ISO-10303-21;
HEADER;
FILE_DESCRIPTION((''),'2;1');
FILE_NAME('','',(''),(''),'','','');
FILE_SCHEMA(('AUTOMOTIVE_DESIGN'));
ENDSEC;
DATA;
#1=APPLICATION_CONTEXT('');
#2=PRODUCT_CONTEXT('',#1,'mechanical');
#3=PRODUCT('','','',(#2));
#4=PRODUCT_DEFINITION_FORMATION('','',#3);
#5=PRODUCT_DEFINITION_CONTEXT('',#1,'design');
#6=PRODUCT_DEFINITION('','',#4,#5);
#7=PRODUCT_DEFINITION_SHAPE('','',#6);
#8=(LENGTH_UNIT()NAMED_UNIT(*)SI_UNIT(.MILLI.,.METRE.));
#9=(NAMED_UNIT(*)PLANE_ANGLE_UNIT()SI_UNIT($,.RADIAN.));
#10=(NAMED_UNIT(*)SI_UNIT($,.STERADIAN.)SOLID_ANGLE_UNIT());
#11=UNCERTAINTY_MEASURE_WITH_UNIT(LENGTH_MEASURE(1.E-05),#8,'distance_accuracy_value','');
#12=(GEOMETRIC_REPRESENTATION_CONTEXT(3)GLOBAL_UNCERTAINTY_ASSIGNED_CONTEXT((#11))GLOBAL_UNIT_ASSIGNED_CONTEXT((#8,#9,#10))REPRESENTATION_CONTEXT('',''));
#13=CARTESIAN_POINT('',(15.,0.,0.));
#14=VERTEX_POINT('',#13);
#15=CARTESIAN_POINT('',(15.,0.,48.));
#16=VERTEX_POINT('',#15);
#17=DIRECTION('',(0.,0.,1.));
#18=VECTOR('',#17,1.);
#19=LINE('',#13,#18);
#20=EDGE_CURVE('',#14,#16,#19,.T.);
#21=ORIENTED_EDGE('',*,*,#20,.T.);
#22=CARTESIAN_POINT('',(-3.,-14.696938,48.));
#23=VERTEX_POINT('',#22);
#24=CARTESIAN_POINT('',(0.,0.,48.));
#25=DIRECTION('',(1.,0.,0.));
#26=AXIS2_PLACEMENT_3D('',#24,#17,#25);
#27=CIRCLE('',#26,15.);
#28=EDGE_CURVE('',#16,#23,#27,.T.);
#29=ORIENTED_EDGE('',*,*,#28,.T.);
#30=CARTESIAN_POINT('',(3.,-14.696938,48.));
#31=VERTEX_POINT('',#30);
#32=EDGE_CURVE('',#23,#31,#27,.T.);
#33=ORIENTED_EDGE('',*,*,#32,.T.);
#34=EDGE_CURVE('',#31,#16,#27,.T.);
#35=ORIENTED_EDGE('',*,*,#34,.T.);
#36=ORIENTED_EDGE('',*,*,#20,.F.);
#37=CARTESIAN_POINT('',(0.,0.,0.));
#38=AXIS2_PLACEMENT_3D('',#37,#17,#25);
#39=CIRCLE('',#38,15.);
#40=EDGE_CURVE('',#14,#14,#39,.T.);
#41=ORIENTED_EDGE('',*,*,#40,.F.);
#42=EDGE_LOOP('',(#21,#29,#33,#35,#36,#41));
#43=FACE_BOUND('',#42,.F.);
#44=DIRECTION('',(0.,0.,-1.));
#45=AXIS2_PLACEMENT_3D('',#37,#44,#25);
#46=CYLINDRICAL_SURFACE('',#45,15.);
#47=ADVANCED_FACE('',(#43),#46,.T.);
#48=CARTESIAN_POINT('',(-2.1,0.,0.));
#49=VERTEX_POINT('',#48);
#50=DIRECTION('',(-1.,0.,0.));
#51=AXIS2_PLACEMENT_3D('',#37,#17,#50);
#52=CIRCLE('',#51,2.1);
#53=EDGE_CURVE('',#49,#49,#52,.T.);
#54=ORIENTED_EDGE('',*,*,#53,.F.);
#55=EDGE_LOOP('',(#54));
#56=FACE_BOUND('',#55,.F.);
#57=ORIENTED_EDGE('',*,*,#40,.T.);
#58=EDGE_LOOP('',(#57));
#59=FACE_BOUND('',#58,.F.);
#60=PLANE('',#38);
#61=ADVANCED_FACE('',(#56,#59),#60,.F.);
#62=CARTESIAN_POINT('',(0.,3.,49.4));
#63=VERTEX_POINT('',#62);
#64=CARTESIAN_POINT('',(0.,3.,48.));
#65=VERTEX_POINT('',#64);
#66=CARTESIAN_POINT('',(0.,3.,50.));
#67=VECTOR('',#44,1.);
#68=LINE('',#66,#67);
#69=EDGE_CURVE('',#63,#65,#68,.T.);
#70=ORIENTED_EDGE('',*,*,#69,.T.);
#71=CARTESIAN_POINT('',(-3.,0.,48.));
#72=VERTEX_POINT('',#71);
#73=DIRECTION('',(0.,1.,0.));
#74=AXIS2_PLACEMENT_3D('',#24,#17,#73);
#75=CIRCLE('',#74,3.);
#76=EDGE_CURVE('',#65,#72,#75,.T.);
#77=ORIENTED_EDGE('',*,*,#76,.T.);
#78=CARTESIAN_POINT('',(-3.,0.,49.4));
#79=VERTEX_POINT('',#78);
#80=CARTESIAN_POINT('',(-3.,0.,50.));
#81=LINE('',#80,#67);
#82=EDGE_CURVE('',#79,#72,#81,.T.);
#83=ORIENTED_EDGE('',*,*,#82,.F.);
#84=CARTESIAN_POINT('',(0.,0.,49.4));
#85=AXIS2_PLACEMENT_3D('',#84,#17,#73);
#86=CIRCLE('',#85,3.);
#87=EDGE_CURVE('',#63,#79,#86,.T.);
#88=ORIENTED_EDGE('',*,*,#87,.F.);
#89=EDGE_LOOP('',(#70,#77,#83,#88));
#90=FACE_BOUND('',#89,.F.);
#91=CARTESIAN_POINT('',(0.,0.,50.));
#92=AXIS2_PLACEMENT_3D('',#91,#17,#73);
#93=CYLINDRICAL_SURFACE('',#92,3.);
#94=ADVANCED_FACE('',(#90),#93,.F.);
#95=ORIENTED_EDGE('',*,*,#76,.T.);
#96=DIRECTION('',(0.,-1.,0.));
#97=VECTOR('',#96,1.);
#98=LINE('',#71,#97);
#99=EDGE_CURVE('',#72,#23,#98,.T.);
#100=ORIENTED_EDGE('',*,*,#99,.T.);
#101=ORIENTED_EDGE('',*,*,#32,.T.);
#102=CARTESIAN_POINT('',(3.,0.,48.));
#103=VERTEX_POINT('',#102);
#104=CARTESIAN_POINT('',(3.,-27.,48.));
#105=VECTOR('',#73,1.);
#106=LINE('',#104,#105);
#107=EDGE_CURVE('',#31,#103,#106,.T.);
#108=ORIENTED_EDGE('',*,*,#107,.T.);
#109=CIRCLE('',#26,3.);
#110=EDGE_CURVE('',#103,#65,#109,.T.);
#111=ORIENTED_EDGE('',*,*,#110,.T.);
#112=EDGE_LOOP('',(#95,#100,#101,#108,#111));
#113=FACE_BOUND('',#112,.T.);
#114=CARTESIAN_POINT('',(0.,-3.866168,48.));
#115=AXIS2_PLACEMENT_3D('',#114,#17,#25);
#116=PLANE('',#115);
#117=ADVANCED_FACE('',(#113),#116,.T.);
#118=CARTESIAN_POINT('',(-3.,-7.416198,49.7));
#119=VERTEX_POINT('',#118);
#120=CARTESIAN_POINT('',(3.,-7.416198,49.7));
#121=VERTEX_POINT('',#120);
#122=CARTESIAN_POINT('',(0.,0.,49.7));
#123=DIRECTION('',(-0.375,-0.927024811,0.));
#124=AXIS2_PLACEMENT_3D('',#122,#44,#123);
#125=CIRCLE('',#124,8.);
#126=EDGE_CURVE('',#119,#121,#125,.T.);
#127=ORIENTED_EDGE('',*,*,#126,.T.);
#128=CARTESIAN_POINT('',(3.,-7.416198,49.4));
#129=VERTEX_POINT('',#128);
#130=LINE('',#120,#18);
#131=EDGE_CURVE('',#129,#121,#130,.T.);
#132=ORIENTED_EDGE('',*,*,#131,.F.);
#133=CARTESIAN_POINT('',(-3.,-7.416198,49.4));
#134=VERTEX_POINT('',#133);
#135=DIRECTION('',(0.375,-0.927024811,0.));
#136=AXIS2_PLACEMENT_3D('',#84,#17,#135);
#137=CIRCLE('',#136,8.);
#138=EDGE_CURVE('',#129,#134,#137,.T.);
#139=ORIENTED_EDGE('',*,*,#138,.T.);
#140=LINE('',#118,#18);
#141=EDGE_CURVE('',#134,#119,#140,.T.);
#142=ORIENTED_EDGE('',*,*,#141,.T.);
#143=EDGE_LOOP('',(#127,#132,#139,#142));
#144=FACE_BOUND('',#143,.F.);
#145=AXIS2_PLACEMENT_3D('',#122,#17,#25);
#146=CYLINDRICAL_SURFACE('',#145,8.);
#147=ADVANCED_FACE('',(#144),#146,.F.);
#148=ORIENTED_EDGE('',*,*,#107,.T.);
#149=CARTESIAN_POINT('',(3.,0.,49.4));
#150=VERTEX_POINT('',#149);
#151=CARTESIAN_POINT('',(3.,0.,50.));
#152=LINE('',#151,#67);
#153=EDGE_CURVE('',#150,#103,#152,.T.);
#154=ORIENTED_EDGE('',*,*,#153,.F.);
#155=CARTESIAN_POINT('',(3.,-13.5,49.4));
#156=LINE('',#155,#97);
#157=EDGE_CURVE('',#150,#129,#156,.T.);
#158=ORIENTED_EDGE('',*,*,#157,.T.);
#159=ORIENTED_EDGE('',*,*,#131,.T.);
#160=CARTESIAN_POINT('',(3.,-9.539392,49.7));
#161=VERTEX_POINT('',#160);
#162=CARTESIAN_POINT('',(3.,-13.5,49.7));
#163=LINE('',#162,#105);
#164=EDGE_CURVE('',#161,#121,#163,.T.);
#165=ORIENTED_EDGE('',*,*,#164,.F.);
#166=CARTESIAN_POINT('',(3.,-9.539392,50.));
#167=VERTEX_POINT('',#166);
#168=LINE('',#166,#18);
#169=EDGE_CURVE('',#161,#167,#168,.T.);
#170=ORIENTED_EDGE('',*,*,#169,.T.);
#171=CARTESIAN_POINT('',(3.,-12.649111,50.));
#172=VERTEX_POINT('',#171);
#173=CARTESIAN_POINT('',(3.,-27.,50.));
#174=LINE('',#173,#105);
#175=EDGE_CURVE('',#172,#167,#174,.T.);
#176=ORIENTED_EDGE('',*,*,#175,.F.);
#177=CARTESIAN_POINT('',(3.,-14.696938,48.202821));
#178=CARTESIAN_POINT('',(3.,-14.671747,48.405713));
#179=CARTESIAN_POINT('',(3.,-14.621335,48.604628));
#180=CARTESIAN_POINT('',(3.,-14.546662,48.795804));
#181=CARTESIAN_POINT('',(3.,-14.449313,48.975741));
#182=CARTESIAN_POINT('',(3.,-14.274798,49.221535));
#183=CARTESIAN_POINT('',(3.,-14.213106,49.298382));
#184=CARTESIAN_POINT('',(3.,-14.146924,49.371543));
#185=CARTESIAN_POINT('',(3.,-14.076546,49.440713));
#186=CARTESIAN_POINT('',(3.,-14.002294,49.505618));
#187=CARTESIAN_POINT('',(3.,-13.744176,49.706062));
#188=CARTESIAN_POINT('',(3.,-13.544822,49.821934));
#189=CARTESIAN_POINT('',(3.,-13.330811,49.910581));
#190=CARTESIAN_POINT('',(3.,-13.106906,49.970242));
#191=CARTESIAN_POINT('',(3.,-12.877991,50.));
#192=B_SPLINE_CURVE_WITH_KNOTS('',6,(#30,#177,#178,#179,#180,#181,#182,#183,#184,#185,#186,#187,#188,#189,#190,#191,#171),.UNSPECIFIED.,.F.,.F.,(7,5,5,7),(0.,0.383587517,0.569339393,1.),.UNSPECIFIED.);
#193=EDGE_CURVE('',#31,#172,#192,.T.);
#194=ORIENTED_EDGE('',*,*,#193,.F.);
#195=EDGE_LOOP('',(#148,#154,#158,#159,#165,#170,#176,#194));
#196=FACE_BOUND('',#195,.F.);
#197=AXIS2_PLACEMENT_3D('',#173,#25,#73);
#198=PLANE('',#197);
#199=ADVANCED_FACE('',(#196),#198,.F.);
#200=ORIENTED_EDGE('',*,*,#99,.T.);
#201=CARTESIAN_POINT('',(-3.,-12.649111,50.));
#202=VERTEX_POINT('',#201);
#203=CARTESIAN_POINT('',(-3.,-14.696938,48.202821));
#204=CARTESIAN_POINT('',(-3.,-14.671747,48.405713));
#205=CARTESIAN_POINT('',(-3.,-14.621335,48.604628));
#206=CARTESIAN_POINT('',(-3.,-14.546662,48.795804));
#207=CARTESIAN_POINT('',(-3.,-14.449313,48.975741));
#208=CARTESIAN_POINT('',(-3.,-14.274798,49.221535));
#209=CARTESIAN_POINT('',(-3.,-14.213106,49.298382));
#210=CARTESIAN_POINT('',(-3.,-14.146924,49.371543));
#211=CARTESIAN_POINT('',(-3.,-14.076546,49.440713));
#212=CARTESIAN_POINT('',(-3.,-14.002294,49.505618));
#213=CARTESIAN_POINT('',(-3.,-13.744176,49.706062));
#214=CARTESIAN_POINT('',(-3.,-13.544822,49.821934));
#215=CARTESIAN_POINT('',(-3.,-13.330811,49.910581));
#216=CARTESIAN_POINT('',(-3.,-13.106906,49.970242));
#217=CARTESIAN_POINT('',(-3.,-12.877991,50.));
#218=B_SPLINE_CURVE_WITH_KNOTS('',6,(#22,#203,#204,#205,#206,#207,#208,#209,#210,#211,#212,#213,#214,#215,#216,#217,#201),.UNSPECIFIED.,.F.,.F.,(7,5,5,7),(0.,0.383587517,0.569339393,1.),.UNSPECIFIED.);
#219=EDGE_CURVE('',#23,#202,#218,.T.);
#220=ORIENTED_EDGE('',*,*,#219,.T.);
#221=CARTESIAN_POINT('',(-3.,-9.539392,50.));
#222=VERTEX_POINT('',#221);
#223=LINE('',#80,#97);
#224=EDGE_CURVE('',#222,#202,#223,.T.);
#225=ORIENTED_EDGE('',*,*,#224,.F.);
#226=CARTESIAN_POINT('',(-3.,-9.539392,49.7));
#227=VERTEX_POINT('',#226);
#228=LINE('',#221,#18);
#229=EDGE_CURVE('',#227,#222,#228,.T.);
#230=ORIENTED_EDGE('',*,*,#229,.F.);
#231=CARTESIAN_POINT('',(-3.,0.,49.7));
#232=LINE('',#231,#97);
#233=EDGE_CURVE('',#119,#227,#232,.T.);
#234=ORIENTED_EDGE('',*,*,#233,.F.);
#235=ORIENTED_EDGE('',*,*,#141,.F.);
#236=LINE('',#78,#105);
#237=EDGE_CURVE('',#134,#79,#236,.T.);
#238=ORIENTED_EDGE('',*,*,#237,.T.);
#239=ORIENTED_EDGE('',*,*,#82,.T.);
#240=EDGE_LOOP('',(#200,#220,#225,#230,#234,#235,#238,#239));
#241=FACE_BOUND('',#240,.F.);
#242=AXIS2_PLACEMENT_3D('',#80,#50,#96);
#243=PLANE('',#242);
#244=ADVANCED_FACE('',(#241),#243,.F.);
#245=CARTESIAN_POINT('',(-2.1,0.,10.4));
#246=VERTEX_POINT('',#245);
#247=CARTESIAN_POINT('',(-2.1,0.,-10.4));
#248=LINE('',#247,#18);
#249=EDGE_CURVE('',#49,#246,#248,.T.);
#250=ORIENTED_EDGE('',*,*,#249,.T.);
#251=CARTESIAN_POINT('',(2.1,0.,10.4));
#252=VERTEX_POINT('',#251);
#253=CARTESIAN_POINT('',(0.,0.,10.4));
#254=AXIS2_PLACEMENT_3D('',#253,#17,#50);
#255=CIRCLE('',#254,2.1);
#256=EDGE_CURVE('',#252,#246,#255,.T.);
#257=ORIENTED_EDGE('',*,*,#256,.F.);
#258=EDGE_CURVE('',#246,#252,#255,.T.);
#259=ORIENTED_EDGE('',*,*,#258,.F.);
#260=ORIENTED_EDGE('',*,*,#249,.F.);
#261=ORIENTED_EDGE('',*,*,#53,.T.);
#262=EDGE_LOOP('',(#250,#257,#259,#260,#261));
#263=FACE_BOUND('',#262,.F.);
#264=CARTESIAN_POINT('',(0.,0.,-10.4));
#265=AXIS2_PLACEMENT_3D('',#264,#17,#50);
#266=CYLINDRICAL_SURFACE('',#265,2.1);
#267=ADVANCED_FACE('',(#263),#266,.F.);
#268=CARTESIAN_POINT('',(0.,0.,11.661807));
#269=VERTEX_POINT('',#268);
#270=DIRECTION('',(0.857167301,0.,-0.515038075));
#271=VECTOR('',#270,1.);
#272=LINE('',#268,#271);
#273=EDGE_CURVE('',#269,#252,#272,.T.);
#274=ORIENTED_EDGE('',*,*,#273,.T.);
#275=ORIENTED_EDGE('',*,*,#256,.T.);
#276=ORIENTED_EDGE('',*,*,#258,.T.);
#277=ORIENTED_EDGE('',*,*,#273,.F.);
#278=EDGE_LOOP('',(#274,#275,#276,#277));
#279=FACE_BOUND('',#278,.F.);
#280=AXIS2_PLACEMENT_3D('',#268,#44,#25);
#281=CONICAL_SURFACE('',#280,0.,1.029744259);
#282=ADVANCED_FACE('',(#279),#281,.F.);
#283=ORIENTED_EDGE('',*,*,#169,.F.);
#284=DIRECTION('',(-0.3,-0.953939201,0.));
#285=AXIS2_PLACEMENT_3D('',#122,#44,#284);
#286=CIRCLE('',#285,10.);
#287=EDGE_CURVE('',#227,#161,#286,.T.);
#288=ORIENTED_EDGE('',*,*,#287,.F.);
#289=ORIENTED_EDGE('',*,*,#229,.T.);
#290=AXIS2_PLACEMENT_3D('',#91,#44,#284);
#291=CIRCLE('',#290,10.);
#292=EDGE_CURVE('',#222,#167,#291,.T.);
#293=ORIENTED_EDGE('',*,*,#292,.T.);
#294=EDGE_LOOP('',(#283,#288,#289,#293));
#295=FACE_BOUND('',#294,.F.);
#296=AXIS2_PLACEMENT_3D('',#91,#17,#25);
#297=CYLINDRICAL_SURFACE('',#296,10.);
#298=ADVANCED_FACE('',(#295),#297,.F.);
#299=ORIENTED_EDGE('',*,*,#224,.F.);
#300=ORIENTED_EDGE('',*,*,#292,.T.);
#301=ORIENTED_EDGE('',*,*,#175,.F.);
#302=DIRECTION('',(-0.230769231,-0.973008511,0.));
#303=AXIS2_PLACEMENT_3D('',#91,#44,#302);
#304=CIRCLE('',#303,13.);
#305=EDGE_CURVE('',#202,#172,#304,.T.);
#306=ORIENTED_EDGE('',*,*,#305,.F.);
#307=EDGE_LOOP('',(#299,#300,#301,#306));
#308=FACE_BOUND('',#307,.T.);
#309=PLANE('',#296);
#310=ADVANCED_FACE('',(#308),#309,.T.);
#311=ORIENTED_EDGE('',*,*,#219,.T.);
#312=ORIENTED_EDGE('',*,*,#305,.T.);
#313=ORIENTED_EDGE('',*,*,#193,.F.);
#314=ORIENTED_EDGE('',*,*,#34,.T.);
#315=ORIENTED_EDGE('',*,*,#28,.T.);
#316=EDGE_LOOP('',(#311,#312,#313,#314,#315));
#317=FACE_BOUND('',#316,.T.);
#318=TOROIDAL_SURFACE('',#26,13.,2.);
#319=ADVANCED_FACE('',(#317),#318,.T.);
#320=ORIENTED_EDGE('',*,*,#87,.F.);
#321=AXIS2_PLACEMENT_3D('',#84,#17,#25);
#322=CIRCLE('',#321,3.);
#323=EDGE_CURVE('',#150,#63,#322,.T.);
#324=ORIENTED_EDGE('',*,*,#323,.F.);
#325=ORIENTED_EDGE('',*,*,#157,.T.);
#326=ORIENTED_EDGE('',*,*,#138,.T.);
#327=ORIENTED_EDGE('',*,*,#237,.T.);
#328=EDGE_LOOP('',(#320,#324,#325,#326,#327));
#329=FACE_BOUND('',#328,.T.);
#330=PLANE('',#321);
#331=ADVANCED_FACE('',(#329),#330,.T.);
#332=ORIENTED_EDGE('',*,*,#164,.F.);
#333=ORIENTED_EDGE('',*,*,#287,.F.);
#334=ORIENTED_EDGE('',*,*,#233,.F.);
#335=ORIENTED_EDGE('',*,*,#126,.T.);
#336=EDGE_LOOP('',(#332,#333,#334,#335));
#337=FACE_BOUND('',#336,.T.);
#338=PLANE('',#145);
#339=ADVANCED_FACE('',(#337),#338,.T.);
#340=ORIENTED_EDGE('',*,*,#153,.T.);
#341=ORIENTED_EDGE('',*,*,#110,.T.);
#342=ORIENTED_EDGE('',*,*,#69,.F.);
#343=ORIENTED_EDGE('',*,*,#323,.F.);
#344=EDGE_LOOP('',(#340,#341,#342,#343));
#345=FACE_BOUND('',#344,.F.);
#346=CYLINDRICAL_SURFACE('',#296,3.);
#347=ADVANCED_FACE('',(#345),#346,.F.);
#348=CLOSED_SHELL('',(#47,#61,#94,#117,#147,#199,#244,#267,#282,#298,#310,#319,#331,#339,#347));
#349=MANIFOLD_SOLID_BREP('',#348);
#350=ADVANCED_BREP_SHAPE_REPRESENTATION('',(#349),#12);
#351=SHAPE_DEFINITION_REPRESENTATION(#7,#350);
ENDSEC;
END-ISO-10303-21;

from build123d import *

# Parameters (mm, degrees)
F0_R      = 15
F1_DEPTH  = 50
F2_R      = 2
F3_R      = 10
F4_DEPTH  = 0.3
F6_DEPTH  = 2
F8_D      = 4.2
F8_DEPTH  = 10.4
F8_TIP    = 1.2618073
F9_R      = 8
F10_DEPTH = 0.3


with BuildPart() as f1:
    # F0 (on Top) → F1 (new body)
    with BuildSketch(Plane.XY):
        Circle(F0_R)
    extrude(amount=F1_DEPTH)

    # F2
    f2_edges = [f1.edges().sort_by_distance(p)[0] for p in [
        (-15, 0, 50),
    ]]
    fillet(f2_edges, radius=F2_R)

    # F3 (on face) → F4 (cut)
    with BuildSketch(Plane.XY.offset(50)):
        Circle(F3_R)
    extrude(amount=-F4_DEPTH, mode=Mode.SUBTRACT)

    # F5 (on face) → F6 (cut)
    with BuildSketch(Plane.XY.offset(50)):
        with BuildLine():
            Line((-3, 0), (-3, -9.5393920142))
            ThreePointArc((-3, -9.5393920142), (0, -10), (3, -9.5393920142))
            Line((3, -9.5393920142), (3, 0))
            ThreePointArc((3, 0), (2.1213203436, 2.1213203436), (0, 3))
            ThreePointArc((0, 3), (-2.1213203436, 2.1213203436), (-3, 0))
        make_face()
        with BuildLine():
            Line((-3, -9.5393920142), (-3, -12.6491106407))
            ThreePointArc((-3, -12.6491106407), (0, -13), (3, -12.6491106407))
            Line((3, -12.6491106407), (3, -9.5393920142))
            ThreePointArc((3, -9.5393920142), (0, -10), (-3, -9.5393920142))
        make_face()
        with BuildLine():
            Line((-3, -12.6491106407), (-3, -27))
            Line((-3, -27), (3, -27))
            Line((3, -27), (3, -12.6491106407))
            ThreePointArc((3, -12.6491106407), (0, -13), (-3, -12.6491106407))
        make_face()
    extrude(amount=-F6_DEPTH, mode=Mode.SUBTRACT)

    # F8
    with Locations(Plane(origin=(0, 0, 0), x_dir=(1, 0, 0), z_dir=(0, 0, -1))):
        with Locations((0, 0)):
            Hole(F8_D / 2, depth=F8_DEPTH)
            with Locations((0, 0, -(F8_DEPTH + F8_TIP / 2))):  # 118° drill point
                Cone(0, F8_D / 2, F8_TIP, mode=Mode.SUBTRACT)

    # F9 (on face) → F10 (cut)
    with BuildSketch(Plane.XY.offset(49.7)):
        Circle(F9_R)
    extrude(amount=-F10_DEPTH, mode=Mode.SUBTRACT)


solid = f1.part
